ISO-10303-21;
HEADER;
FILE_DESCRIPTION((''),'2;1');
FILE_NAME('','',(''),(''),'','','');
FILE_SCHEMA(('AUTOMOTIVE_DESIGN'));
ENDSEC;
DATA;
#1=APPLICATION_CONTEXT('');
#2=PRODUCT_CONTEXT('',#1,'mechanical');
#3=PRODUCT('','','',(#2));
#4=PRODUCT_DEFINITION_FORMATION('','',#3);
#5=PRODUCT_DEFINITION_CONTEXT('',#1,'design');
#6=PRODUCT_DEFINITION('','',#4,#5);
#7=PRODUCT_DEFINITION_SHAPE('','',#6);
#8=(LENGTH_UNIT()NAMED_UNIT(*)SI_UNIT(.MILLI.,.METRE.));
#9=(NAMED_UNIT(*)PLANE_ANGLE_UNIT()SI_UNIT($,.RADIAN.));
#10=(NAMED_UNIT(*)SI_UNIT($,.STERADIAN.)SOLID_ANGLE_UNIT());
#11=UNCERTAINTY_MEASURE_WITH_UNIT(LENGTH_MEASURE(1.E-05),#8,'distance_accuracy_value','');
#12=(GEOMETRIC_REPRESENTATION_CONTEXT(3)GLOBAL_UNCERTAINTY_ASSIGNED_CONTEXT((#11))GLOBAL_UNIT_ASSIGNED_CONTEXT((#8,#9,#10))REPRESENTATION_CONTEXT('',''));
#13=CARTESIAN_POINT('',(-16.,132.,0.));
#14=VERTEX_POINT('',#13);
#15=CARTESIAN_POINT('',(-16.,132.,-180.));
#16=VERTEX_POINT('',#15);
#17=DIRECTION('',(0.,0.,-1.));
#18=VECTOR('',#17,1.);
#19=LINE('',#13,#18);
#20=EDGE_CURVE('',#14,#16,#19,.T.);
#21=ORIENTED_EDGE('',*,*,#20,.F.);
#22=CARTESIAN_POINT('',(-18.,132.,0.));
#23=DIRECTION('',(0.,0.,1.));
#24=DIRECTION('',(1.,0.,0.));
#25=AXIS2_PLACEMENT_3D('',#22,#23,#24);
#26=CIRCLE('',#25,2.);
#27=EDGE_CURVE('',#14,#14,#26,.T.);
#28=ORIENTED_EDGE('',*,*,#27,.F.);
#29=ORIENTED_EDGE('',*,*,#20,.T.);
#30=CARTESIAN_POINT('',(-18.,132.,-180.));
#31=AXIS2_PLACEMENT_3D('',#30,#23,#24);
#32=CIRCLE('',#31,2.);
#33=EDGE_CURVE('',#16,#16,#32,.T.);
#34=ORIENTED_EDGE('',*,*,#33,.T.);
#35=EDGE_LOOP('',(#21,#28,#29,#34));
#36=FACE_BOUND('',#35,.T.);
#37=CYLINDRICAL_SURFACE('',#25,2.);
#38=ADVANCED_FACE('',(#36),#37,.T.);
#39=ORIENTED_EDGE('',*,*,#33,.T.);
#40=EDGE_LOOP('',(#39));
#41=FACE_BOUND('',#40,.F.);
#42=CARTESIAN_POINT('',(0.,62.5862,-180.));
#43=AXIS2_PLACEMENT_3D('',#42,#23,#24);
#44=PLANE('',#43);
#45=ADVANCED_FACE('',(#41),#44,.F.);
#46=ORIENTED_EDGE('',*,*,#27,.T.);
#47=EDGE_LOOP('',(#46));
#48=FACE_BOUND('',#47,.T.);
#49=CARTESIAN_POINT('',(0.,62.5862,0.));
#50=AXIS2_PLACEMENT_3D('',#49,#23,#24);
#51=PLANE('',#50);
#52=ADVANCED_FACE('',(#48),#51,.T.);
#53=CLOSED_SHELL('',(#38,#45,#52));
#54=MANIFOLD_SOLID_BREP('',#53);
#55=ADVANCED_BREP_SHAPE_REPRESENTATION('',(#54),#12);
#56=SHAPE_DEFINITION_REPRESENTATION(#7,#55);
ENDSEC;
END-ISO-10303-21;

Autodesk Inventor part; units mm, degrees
ref_plane "YZ Plane" through (0, 0, 0) normal (1, 0, 0) x (0, 1, 0)
ref_plane "XZ Plane" through (0, 0, 0) normal (0, 1, 0) x (-1, 0, 0)
ref_plane "XY Plane" through (0, 0, 0) normal (0, 0, 1) x (1, 0, 0)
ref_plane "РабПлоскость1" through (0, 62.5862, 0) normal (0, 0, 1) x (1, 0, 0)
sketch "Эскиз1" plane through (0, 62.5862, 0) normal (0, 0, 1) x (1, 0, 0)
  circle A0 centre (-18, 69.4138) radius 7 projected
  circle A1 centre (-18, 69.4138) radius 2
  point P0 (0, -62.5862)
  dimension "d0" = 4
extrude "Выдавливание1" add sketch "Эскиз1" against normal blind 180 contours A1
properties part number "спиралька"
